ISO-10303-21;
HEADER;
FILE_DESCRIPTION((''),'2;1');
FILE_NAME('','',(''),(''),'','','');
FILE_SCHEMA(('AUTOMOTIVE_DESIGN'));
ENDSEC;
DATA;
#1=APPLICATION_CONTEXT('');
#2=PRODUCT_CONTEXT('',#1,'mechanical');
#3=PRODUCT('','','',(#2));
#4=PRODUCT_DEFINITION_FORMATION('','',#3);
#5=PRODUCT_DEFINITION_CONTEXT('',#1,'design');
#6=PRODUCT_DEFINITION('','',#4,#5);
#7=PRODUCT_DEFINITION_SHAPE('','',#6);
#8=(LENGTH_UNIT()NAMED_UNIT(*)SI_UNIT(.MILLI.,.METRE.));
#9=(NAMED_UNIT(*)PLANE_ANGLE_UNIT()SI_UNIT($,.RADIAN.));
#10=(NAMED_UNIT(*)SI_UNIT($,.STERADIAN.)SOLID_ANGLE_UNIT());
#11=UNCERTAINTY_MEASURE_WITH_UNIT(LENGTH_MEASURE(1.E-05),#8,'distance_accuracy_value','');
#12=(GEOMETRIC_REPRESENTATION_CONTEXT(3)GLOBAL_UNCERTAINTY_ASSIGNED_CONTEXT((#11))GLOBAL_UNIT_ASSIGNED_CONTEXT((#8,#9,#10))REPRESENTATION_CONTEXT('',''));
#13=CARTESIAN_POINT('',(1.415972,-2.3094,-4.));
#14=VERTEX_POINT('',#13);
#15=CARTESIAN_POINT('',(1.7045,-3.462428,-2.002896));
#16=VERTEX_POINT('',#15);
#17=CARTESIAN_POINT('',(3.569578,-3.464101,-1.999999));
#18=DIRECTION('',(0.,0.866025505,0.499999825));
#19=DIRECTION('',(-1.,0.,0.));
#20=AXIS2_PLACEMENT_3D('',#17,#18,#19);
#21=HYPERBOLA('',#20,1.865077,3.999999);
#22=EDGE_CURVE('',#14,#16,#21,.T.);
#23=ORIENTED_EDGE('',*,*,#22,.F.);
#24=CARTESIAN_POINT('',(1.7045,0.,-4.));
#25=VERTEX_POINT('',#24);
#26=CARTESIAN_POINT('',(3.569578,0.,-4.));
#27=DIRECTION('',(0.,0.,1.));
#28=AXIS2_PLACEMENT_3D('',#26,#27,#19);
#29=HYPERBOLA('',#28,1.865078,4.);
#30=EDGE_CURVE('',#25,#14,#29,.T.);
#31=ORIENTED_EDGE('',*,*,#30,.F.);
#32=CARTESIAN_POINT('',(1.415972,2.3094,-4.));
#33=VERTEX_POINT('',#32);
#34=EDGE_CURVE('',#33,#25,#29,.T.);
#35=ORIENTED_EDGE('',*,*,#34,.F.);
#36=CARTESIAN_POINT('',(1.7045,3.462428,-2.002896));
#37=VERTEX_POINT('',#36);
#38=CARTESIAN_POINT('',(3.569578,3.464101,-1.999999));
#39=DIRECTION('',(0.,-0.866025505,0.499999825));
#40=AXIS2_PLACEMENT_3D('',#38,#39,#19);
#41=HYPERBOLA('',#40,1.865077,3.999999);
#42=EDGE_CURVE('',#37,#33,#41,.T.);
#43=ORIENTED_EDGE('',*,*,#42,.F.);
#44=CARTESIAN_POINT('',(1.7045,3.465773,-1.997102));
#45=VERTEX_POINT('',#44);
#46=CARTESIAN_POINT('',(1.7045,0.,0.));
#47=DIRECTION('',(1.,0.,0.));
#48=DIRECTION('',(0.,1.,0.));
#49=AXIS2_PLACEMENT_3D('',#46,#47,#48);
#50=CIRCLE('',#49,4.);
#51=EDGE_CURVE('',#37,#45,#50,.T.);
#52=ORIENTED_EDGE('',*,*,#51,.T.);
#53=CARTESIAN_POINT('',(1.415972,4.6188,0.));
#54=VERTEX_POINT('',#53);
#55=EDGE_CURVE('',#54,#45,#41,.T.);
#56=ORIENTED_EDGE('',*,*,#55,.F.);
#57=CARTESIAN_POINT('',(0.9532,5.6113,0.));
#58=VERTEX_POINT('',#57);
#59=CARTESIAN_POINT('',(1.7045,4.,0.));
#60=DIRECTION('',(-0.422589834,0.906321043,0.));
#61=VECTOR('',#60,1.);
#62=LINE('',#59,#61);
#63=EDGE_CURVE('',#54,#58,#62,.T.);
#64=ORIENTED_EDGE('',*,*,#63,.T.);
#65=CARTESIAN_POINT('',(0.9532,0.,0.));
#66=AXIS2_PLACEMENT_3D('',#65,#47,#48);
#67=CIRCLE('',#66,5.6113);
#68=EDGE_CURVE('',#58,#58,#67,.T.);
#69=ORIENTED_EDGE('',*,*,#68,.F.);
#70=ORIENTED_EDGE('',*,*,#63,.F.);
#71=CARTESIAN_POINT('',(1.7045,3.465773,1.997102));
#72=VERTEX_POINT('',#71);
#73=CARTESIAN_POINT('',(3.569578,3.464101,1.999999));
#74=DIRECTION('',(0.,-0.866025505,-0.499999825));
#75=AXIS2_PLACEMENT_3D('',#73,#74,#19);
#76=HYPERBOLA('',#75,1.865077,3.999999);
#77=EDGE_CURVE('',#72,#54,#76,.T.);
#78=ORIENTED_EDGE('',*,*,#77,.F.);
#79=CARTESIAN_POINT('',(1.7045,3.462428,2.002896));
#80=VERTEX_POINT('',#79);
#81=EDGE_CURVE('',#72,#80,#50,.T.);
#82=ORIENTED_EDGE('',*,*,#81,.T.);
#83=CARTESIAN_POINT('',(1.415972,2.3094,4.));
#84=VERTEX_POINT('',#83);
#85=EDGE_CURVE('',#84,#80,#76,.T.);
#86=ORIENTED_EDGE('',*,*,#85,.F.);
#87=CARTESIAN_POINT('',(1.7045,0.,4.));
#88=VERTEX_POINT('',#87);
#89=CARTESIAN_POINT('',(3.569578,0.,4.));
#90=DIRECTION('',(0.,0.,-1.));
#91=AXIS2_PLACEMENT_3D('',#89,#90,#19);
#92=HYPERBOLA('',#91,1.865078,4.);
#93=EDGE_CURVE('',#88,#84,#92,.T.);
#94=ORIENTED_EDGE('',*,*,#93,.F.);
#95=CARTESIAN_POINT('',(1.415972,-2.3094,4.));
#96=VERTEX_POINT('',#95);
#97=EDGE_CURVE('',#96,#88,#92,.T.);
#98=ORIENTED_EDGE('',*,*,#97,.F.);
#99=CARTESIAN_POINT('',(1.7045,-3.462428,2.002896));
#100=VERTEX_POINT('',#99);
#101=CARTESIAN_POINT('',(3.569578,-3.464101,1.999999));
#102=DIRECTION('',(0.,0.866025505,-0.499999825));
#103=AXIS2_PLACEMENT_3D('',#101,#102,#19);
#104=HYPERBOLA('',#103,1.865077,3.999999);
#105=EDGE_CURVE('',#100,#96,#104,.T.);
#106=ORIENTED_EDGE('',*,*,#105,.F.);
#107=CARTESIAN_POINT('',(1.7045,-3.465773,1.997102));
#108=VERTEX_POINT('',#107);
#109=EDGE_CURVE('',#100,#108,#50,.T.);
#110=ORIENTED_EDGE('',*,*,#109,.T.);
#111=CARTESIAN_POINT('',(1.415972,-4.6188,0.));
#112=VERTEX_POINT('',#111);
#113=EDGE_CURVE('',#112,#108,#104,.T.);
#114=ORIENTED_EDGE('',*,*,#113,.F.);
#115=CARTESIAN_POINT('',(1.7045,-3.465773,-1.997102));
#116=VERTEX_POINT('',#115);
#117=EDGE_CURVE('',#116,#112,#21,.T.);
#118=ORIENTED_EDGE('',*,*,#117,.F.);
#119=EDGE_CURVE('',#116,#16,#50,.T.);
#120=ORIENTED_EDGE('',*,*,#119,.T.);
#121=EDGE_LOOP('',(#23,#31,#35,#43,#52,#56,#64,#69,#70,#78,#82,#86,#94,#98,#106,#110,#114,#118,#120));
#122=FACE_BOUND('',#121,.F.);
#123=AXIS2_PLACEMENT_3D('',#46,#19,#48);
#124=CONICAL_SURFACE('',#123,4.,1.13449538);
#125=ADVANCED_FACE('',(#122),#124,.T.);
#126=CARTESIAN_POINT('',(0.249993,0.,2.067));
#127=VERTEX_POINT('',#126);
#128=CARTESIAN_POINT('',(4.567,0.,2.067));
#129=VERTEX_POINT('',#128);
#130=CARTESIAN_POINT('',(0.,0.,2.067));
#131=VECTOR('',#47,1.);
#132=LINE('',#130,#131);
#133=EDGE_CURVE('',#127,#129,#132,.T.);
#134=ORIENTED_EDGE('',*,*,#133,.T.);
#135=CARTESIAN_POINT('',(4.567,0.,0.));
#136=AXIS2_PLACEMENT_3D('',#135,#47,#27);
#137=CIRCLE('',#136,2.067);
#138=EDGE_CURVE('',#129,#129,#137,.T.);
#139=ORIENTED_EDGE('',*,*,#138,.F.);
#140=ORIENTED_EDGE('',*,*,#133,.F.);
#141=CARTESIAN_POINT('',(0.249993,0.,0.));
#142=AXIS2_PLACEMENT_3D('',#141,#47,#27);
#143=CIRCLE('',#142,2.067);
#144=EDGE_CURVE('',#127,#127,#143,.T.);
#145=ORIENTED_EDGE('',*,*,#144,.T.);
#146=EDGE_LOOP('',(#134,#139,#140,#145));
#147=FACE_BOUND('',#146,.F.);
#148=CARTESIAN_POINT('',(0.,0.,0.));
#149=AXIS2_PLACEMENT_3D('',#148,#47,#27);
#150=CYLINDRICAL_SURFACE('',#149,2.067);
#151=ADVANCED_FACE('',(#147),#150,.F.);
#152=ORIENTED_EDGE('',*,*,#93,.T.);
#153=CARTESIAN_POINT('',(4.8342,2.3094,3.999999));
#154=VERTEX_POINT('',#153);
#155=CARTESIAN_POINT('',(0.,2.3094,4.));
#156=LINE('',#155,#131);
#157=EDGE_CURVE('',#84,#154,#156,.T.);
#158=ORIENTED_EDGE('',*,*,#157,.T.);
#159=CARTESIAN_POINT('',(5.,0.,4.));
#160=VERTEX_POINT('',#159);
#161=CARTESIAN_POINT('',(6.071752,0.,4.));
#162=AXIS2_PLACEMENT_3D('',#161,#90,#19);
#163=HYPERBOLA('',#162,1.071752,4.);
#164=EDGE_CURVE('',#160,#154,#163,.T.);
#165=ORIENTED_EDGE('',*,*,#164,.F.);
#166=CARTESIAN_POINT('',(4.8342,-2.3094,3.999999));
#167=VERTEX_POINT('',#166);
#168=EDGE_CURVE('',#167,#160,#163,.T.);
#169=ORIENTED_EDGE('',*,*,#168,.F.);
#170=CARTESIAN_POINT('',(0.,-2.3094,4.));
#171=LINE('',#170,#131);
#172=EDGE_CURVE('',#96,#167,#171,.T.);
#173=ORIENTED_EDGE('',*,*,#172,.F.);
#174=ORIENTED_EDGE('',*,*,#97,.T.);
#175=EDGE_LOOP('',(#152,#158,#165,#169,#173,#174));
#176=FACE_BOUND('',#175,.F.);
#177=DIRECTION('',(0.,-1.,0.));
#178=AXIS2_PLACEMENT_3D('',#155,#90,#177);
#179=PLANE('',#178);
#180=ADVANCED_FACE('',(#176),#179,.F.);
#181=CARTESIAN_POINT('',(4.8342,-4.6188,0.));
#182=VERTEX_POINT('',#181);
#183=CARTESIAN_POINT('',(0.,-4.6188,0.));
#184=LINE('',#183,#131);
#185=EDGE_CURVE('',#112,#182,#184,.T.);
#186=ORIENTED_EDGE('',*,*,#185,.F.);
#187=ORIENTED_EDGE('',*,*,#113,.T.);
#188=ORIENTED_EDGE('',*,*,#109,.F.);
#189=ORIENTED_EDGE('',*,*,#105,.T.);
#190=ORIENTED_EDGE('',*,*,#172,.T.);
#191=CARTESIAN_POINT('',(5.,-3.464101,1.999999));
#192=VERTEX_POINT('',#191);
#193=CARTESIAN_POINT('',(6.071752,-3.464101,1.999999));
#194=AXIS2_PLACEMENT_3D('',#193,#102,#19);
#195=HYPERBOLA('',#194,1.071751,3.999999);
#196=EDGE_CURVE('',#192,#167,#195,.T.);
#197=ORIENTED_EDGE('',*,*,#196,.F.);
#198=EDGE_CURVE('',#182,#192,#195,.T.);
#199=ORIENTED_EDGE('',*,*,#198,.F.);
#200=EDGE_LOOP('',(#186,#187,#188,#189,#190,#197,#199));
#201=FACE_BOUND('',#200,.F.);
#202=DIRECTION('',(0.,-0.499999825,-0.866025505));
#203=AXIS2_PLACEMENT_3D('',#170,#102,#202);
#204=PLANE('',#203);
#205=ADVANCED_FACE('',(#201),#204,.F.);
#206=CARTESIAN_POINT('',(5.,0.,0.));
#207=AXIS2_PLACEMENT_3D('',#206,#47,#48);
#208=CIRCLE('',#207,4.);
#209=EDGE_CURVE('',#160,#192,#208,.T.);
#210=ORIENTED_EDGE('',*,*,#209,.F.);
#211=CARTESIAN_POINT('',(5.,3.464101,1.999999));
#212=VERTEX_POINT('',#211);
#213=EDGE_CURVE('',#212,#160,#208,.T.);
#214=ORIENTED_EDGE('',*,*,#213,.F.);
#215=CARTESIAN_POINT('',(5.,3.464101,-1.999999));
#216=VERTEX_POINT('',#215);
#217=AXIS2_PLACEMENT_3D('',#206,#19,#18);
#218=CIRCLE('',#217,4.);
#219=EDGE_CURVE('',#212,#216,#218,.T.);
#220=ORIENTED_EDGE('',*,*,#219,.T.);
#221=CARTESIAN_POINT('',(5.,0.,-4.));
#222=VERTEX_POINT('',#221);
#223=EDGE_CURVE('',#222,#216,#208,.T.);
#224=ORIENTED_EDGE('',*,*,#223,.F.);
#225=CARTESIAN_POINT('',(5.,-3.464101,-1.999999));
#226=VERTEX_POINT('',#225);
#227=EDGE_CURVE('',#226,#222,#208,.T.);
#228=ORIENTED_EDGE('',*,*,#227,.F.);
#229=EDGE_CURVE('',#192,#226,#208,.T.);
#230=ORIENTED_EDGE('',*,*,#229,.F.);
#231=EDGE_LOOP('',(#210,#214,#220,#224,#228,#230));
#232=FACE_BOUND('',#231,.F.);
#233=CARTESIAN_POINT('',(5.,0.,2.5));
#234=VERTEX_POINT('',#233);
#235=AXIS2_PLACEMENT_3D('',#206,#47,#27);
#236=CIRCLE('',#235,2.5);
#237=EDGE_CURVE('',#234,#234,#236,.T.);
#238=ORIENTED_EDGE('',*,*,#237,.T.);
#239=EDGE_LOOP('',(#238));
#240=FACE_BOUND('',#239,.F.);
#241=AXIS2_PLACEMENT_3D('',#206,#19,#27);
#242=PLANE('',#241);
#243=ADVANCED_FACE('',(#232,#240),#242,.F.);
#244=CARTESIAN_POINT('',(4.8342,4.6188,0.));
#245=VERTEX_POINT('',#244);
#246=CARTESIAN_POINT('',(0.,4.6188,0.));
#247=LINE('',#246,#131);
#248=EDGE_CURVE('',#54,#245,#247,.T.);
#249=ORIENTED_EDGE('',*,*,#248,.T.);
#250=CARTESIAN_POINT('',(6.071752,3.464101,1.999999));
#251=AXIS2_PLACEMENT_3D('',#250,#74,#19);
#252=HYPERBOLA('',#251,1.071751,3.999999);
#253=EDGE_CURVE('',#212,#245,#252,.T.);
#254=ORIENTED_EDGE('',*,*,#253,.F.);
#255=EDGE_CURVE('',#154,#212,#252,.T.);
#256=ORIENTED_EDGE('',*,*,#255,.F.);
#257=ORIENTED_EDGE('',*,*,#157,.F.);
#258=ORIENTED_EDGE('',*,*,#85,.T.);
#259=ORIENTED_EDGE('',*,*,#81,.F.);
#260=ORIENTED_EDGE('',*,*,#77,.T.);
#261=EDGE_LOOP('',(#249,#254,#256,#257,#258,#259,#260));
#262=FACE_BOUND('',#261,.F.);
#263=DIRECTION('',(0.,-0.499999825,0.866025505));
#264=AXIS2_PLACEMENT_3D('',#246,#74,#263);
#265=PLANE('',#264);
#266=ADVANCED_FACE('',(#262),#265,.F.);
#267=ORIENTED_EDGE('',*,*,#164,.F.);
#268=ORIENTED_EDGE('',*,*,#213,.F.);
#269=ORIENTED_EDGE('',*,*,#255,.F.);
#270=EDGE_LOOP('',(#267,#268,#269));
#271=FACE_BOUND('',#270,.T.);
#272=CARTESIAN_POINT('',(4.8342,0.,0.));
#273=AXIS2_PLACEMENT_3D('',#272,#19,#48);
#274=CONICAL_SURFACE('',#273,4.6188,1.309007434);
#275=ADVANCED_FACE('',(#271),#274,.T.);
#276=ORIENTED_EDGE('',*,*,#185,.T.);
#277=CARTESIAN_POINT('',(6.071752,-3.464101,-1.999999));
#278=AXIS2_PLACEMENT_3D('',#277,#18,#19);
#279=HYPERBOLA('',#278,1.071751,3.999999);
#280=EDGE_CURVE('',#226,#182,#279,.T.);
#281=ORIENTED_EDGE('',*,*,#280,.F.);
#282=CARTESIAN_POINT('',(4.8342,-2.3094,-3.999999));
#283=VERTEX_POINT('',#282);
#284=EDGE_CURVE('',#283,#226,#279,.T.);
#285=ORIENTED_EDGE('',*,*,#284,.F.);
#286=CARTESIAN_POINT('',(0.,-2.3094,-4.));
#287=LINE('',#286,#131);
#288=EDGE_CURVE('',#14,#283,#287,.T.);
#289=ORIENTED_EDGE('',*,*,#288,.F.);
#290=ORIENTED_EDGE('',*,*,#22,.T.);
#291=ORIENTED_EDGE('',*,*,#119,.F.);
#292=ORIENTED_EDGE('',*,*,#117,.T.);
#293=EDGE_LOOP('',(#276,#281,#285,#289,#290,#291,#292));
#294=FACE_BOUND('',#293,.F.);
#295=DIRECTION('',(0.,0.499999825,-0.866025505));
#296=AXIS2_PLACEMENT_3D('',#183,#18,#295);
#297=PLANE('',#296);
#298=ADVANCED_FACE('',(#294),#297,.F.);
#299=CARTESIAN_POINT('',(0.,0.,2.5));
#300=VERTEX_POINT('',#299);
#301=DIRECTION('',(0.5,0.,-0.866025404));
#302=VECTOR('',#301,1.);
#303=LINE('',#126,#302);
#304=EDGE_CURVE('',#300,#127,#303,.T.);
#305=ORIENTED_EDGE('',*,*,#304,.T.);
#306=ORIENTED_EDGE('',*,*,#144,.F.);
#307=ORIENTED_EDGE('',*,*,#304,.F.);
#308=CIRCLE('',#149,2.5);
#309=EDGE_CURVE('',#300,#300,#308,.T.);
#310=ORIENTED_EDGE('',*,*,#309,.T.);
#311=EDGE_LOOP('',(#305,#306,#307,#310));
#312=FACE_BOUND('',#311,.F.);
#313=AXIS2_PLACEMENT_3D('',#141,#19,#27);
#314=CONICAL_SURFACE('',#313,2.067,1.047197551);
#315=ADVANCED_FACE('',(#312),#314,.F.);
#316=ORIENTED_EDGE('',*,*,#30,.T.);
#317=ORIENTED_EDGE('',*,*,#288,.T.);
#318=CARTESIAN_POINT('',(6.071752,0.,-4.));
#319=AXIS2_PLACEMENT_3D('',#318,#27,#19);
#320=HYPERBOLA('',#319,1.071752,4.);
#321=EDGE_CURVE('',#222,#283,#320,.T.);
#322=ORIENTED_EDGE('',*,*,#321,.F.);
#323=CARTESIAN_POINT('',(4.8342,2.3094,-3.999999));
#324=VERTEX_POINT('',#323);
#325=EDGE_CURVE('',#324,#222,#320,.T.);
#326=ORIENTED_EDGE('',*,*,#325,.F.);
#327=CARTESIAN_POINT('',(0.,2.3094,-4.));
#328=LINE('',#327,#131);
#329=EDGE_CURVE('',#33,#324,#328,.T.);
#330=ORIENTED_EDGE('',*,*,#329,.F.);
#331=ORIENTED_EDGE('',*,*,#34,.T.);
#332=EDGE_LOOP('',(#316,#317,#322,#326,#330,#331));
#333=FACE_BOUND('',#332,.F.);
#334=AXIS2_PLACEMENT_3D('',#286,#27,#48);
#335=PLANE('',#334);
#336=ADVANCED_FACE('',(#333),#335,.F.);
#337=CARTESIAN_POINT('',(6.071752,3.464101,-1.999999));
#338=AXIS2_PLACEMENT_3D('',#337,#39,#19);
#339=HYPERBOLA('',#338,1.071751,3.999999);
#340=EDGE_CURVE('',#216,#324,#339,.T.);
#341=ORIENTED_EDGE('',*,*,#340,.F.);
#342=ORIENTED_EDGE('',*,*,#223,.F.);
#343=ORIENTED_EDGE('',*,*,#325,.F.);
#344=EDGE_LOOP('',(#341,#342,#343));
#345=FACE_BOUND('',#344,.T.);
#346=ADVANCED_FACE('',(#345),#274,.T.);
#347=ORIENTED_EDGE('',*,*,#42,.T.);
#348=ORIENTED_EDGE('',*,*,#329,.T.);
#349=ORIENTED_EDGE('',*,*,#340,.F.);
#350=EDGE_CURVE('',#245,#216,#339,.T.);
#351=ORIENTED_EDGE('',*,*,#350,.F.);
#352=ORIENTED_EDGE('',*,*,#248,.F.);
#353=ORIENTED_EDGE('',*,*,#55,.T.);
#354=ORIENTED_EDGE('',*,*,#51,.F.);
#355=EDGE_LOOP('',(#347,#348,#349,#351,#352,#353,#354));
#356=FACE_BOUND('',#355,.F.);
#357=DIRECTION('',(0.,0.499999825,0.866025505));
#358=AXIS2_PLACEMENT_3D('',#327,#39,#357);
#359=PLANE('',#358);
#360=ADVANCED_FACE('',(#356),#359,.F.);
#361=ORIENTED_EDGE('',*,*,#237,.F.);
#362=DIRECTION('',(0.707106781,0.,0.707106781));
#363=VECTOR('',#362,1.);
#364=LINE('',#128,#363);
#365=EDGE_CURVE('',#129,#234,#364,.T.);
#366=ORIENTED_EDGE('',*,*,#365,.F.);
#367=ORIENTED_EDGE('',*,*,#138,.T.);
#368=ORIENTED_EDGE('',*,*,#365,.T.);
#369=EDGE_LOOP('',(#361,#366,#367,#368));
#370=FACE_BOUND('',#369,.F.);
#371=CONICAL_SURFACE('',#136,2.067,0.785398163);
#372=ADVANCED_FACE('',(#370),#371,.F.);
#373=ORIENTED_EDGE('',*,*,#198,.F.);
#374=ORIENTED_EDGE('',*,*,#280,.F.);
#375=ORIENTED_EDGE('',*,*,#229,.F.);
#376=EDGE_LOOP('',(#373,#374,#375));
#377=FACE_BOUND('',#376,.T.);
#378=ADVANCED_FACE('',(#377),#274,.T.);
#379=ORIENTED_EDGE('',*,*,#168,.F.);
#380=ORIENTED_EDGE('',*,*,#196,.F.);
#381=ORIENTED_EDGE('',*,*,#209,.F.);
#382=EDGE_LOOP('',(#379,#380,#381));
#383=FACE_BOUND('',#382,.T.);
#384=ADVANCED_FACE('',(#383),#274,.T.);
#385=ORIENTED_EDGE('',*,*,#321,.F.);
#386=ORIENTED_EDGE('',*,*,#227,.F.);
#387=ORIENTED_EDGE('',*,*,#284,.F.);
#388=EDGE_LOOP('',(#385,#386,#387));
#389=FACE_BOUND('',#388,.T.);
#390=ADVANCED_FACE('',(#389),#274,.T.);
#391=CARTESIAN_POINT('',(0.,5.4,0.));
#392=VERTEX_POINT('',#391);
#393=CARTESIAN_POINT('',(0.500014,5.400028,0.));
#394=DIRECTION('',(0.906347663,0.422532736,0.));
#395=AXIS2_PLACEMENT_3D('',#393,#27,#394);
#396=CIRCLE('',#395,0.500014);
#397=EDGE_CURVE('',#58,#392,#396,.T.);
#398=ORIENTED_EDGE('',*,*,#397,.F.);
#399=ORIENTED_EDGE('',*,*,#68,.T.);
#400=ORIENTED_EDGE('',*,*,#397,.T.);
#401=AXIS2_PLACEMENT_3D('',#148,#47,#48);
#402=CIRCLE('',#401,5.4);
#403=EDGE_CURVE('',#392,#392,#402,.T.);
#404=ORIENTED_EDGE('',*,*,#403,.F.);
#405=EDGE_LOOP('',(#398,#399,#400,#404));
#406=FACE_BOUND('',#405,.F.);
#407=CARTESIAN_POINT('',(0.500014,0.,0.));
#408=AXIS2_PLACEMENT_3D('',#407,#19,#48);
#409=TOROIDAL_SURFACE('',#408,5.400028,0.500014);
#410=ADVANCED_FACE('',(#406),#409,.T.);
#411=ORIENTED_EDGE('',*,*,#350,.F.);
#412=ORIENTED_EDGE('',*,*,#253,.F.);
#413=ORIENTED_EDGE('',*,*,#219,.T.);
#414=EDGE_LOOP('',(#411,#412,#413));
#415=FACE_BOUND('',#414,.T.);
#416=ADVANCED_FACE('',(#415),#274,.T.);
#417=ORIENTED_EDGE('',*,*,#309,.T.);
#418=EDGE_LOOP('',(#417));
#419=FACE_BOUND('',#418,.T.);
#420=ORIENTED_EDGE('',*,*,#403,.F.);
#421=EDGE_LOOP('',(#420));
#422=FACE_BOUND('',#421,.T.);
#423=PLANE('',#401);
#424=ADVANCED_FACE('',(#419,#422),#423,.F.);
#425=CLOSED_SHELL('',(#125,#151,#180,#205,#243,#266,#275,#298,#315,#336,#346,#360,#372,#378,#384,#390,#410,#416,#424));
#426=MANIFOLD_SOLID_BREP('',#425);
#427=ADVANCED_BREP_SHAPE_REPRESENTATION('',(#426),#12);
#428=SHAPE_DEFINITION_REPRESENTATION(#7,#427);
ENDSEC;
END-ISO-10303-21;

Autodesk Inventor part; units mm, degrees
ref_plane "YZ Plane" through (0, 0, 0) normal (1, 0, 0) x (0, 1, 0)
ref_plane "XZ Plane" through (0, 0, 0) normal (0, 1, 0) x (-1, 0, 0)
sketch "Sketch1" plane through (0, 0, 0) normal (0, 0, 1) x (1, 0, 0)
  line L0 (-1.1018, 0) -> (6.017, 0) projected
  line L1 (1.7045, 4) -> (0.9532, 5.6113)
  line L2 (1.7045, 4) -> (5, 4) construction
  line L3 (5, 4) -> (5, 0) construction
  arc A0 (0.9532, 5.6113) -> (0, 5.4) centre (0.5, 5.4) ccw
  line L4 (1.7045, 4) -> (1.7045, 0)
  line L5 (0, -1.1988) -> (0, 7.1926) projected
  point P0 (0, 0)
  dimension "d2" = 8
  dimension "d4" = 11.8
  dimension "d5" = 0.5
  dimension "d15" = 5
  dimension "d16" = 25
revolve "Ring" add sketch "Sketch1" angle 360 about axis through (-10, 0, 0) along (1, 0, 0)
sketch "Sketch2" plane through (0, 0, 0) normal (-1, 0, 0) x (0, 0, 1)
  circle A0 centre (0, 0) radius 4.9
  line L0 (-4, -2.3094) -> (-4, 2.3094)
  line L1 (-4, 2.3094) -> (0, 4.6188)
  line L2 (0, 4.6188) -> (4, 2.3094)
  line L3 (4, 2.3094) -> (4, -2.3094)
  line L4 (4, -2.3094) -> (0, -4.6188)
  line L5 (0, -4.6188) -> (-4, -2.3094)
  circle A1 centre (0, 0) radius 5.4 projected
  dimension "d6" = 9.2376
extrude "Body" add sketch "Sketch2" against normal blind 5 contours L0 L1 L2 L3 L4 L5
sketch "Sketch3" plane through (0, 0, 0) normal (0, 0, 1) x (1, 0, 0)
  line L0 (1.416, 4.6188) -> (5, 4.6188) projected
  line L1 (5, 2.3094) -> (5, 4.6188) projected
  line L2 (0, -5.4) -> (0, 5.4) projected
  line L3 (-1, 0) -> (6, 0) projected
  line L4 (4.8342, 4.6188) -> (5, 4)
  dimension "d10" = 15
  dimension "d11" = 8
revolve "Chamfer1" cut sketch "Sketch3" angle 360 about axis through (-10, 0, 0) along (1, 0, 0)
sketch "Sketch4" plane through (0, 0, 0) normal (-1, 0, 0) x (0, 0, 1)
  circle A0 centre (0, 0) radius 5.4 projected
hole "Thread" at (0, 0, 0) direction (1, 0, 0) diameter 4.134 end through all thread size "M5x0.8" class "6H" standard "ISO Metric profile"
chamfer "Chamfer2" distance 0.433 angle 30 1 edges at (0, 0, -2.067) measured on face at (0, 4.2317, -0.5138)
ref_plane "Work Plane1" through (17.4207, 0, 0) normal (0, 0, -1) x (-1, 0, 0)
chamfer "Chamfer3" distance 0.433 angle 45 1 edges at (5, 0, -2.067)
equation "\"d6\" = 1.1547 * SW"
equation "\"d7\" = KOH"
equation "\"d12\" = -0.5 * GD1 + 0.5 * NND"
equation "\"d46\" = -0.5 * GD1 + 0.5 * NND"
equation "\"d51\" = -0.5 * GD1 + 0.5 * NND"
equation "\"d2\" = SW"
equation "\"d4\" = LADI"
equation "\"d5\" = PHH"
equation "\"d15\" = KOH"
equation "\"d16\" = KEWI"
equation "\"d10\" = ANG1"
equation "\"d11\" = SW0"
equation "\"ANG1\" = 15deg"
equation "\"KEWI\" = 25deg"
equation "\"NND\" = 5"
equation "\"LADI\" = 11.8"
equation "\"SW\" = 8"
equation "\"PHH\" = RR"
equation "\"KOH\" = 5"
equation "\"SW0\" = SW"
equation "\"d1\" = LADI"
equation "\"d3\" = PHH"
equation "\"GUL\" = 0.541266 * PTC"
equation "\"RR\" = 0.5"
equation "\"THREADDIA\" = 5"
equation "\"TOA\" = 30deg"
equation "\"PTC\" = 0.8"
equation "\"GAL\" = 0.541266 * PTC"
equation "\"E0\" = 1.155 * SW"
equation "\"GD1\" = 4.133975"
properties part number "DIN EN 1661 - M5" material "Steel, Mild"
